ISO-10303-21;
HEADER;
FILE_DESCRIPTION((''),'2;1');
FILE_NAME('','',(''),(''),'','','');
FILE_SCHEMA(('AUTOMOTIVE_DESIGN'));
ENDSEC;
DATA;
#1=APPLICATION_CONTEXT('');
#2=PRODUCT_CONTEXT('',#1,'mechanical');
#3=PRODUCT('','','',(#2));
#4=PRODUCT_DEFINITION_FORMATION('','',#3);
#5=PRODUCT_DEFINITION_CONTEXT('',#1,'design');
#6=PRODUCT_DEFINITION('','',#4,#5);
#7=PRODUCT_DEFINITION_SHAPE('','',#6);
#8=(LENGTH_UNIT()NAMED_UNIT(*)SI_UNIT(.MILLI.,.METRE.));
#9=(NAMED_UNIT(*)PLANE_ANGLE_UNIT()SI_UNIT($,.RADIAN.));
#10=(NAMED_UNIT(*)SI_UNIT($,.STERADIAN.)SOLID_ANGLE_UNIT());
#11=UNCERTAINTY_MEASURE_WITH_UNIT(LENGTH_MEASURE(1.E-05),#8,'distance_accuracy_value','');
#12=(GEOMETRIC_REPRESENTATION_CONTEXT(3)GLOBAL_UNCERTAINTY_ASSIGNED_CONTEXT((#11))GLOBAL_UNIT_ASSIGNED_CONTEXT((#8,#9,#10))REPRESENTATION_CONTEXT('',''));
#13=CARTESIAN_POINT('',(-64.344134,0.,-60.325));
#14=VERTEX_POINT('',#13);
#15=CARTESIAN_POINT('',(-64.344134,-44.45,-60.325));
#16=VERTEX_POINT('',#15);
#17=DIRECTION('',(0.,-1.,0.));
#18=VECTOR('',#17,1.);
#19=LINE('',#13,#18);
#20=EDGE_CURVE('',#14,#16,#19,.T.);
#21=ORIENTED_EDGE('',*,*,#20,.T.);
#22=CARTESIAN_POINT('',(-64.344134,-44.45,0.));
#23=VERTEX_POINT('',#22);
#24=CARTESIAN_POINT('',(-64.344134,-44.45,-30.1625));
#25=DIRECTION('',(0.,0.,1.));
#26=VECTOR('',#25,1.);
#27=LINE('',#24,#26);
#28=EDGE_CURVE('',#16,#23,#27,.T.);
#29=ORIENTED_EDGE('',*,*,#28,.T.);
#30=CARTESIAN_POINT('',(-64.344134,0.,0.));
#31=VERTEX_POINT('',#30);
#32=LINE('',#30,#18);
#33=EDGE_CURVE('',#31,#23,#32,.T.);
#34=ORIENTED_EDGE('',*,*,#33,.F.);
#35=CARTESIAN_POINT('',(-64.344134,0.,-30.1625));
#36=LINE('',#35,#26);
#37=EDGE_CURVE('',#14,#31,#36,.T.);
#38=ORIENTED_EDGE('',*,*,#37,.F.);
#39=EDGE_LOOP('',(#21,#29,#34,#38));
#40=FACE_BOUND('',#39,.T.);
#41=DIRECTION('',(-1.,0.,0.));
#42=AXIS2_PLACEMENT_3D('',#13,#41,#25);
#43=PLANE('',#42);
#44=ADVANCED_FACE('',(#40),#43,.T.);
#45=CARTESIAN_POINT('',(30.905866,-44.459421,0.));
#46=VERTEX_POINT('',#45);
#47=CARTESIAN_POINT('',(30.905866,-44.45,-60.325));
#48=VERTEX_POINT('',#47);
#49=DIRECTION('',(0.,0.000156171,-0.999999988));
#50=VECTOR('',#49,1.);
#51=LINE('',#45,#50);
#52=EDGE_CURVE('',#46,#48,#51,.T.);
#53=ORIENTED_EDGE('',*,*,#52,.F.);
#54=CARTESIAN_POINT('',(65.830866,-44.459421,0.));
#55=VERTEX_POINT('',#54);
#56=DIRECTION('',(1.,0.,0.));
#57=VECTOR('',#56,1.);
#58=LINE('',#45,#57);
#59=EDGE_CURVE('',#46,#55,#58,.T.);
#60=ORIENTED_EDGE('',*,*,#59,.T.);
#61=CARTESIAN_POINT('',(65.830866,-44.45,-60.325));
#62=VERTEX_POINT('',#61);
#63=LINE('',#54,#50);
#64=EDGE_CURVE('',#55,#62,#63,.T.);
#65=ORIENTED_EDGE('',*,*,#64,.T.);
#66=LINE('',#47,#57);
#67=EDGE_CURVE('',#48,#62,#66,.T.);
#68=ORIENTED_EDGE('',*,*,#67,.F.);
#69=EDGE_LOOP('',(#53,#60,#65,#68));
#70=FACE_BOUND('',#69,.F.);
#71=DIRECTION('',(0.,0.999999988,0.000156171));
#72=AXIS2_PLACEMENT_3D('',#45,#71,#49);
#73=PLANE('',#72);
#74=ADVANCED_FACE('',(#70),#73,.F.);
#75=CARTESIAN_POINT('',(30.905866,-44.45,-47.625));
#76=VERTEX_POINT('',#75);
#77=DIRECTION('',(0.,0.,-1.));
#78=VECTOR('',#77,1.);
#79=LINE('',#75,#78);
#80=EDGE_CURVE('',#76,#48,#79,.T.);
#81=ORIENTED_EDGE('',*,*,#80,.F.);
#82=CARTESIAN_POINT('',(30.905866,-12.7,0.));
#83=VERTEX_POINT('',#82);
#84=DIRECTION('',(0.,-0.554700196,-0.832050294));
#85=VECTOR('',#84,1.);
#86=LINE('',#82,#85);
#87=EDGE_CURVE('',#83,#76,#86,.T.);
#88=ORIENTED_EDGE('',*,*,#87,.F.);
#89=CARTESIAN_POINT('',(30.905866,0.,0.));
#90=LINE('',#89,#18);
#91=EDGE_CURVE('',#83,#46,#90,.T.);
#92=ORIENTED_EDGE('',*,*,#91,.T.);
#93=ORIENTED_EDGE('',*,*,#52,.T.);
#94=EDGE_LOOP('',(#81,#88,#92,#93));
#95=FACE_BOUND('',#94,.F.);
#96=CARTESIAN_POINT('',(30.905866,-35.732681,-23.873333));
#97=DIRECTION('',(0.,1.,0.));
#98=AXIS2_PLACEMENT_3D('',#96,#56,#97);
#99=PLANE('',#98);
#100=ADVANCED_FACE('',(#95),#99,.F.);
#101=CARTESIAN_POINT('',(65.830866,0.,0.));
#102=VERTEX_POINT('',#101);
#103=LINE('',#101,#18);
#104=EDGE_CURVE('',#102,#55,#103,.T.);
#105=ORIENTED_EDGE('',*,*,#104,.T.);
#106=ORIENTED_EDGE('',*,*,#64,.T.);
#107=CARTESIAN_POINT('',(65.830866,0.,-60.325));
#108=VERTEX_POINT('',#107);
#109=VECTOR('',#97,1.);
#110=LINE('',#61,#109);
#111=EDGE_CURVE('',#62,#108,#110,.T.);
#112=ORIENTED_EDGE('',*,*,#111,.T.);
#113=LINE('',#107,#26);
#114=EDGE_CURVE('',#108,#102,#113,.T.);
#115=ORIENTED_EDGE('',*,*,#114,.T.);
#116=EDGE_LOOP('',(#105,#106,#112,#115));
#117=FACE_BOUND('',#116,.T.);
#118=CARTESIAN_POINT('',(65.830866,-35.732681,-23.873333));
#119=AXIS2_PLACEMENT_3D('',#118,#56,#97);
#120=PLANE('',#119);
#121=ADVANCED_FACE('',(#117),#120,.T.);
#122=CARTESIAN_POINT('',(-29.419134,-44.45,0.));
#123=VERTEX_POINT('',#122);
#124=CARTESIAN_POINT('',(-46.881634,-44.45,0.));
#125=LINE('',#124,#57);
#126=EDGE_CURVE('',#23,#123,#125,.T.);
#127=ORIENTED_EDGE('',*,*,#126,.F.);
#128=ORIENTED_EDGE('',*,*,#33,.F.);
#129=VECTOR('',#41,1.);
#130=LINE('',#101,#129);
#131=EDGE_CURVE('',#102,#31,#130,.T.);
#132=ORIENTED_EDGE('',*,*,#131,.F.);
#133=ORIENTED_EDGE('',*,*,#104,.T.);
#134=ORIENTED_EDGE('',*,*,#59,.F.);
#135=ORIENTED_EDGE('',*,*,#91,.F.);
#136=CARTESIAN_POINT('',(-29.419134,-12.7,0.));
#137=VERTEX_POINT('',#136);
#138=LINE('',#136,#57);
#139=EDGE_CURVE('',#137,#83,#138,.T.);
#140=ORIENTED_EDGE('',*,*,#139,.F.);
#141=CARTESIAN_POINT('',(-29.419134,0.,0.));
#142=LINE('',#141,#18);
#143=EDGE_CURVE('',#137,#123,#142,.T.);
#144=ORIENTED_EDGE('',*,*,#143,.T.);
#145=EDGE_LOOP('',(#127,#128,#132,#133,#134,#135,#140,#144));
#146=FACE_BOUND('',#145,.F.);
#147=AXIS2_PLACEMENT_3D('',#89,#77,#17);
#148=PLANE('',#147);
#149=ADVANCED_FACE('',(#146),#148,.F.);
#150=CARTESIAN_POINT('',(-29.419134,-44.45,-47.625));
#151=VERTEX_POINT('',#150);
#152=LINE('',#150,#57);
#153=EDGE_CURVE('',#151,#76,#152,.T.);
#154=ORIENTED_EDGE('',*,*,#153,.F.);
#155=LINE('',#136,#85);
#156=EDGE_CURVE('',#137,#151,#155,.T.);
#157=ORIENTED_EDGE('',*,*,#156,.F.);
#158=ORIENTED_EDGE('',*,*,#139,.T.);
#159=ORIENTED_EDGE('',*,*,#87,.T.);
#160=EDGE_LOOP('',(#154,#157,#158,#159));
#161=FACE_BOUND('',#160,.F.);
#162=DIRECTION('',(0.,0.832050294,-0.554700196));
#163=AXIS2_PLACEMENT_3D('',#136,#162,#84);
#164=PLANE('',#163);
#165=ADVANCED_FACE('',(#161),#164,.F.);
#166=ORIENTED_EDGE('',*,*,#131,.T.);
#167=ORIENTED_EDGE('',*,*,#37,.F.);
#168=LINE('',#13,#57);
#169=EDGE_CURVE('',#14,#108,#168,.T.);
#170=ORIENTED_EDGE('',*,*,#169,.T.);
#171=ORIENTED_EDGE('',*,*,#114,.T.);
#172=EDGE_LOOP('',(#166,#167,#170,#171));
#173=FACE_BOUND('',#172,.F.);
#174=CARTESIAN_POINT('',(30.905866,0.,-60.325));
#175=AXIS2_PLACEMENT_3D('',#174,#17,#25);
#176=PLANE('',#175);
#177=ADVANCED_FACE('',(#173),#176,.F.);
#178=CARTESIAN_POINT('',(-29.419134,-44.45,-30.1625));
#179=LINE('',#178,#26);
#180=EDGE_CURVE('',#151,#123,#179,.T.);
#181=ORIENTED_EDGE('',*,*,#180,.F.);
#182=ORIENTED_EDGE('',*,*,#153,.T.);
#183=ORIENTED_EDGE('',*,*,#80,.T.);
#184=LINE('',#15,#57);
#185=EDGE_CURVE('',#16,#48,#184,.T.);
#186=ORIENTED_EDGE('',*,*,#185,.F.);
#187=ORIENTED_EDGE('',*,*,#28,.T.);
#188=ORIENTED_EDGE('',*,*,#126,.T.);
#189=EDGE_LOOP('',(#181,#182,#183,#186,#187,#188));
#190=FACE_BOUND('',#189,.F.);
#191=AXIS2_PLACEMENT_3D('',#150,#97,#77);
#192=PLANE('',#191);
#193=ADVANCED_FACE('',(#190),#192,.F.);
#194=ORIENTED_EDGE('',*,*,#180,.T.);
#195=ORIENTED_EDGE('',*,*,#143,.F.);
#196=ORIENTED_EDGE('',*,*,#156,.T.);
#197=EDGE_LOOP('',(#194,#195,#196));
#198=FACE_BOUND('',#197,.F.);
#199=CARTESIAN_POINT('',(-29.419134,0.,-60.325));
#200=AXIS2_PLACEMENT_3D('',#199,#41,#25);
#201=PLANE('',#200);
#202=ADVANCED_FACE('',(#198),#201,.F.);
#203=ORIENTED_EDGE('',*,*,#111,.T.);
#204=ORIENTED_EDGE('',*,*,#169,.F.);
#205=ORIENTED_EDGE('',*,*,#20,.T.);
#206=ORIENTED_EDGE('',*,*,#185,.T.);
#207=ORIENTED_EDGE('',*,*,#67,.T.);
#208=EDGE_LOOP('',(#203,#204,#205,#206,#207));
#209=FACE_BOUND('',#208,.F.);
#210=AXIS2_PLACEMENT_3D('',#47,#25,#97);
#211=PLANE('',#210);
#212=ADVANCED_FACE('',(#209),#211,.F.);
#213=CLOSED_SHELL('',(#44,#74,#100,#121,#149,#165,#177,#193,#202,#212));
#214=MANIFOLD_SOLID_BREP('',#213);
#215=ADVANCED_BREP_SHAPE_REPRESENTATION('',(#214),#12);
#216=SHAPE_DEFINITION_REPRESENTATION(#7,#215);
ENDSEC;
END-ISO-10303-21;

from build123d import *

# Parameters (mm, degrees)
F0_W     = 34.925
F0_H     = 60.325
F1_DEPTH = 44.45
F3_DEPTH = 60.325
F5_DEPTH = 34.925


with BuildPart() as f1:
    # F0 (on Front) → F1 (new body)
    with BuildSketch(Plane.XZ):
        with Locations((-46.881634, -30.1625)):
            Rectangle(F0_W, F0_H)
    extrude(amount=F1_DEPTH)

    # F2 (on face) → F3 (join)
    with BuildSketch(Plane.YZ.offset(-29.419134)):
        Polygon((-44.45, -47.625), (-44.45, -60.325), (0, -60.325), (0, -47.625), (0, 0), (-12.7, 0), align=None)
    extrude(amount=F3_DEPTH)

    # F4 (on face) → F5 (join)
    with BuildSketch(Plane.YZ.offset(30.905866)):
        Polygon((-44.45, -47.625), (-12.7, 0), (-44.459421, 0), (-44.45, -60.325), align=None)
        Polygon((0, -60.325), (0, 0), (-12.7, 0), (-44.45, -47.625), (-44.45, -60.325), align=None)
    extrude(amount=F5_DEPTH)


solid = f1.part
